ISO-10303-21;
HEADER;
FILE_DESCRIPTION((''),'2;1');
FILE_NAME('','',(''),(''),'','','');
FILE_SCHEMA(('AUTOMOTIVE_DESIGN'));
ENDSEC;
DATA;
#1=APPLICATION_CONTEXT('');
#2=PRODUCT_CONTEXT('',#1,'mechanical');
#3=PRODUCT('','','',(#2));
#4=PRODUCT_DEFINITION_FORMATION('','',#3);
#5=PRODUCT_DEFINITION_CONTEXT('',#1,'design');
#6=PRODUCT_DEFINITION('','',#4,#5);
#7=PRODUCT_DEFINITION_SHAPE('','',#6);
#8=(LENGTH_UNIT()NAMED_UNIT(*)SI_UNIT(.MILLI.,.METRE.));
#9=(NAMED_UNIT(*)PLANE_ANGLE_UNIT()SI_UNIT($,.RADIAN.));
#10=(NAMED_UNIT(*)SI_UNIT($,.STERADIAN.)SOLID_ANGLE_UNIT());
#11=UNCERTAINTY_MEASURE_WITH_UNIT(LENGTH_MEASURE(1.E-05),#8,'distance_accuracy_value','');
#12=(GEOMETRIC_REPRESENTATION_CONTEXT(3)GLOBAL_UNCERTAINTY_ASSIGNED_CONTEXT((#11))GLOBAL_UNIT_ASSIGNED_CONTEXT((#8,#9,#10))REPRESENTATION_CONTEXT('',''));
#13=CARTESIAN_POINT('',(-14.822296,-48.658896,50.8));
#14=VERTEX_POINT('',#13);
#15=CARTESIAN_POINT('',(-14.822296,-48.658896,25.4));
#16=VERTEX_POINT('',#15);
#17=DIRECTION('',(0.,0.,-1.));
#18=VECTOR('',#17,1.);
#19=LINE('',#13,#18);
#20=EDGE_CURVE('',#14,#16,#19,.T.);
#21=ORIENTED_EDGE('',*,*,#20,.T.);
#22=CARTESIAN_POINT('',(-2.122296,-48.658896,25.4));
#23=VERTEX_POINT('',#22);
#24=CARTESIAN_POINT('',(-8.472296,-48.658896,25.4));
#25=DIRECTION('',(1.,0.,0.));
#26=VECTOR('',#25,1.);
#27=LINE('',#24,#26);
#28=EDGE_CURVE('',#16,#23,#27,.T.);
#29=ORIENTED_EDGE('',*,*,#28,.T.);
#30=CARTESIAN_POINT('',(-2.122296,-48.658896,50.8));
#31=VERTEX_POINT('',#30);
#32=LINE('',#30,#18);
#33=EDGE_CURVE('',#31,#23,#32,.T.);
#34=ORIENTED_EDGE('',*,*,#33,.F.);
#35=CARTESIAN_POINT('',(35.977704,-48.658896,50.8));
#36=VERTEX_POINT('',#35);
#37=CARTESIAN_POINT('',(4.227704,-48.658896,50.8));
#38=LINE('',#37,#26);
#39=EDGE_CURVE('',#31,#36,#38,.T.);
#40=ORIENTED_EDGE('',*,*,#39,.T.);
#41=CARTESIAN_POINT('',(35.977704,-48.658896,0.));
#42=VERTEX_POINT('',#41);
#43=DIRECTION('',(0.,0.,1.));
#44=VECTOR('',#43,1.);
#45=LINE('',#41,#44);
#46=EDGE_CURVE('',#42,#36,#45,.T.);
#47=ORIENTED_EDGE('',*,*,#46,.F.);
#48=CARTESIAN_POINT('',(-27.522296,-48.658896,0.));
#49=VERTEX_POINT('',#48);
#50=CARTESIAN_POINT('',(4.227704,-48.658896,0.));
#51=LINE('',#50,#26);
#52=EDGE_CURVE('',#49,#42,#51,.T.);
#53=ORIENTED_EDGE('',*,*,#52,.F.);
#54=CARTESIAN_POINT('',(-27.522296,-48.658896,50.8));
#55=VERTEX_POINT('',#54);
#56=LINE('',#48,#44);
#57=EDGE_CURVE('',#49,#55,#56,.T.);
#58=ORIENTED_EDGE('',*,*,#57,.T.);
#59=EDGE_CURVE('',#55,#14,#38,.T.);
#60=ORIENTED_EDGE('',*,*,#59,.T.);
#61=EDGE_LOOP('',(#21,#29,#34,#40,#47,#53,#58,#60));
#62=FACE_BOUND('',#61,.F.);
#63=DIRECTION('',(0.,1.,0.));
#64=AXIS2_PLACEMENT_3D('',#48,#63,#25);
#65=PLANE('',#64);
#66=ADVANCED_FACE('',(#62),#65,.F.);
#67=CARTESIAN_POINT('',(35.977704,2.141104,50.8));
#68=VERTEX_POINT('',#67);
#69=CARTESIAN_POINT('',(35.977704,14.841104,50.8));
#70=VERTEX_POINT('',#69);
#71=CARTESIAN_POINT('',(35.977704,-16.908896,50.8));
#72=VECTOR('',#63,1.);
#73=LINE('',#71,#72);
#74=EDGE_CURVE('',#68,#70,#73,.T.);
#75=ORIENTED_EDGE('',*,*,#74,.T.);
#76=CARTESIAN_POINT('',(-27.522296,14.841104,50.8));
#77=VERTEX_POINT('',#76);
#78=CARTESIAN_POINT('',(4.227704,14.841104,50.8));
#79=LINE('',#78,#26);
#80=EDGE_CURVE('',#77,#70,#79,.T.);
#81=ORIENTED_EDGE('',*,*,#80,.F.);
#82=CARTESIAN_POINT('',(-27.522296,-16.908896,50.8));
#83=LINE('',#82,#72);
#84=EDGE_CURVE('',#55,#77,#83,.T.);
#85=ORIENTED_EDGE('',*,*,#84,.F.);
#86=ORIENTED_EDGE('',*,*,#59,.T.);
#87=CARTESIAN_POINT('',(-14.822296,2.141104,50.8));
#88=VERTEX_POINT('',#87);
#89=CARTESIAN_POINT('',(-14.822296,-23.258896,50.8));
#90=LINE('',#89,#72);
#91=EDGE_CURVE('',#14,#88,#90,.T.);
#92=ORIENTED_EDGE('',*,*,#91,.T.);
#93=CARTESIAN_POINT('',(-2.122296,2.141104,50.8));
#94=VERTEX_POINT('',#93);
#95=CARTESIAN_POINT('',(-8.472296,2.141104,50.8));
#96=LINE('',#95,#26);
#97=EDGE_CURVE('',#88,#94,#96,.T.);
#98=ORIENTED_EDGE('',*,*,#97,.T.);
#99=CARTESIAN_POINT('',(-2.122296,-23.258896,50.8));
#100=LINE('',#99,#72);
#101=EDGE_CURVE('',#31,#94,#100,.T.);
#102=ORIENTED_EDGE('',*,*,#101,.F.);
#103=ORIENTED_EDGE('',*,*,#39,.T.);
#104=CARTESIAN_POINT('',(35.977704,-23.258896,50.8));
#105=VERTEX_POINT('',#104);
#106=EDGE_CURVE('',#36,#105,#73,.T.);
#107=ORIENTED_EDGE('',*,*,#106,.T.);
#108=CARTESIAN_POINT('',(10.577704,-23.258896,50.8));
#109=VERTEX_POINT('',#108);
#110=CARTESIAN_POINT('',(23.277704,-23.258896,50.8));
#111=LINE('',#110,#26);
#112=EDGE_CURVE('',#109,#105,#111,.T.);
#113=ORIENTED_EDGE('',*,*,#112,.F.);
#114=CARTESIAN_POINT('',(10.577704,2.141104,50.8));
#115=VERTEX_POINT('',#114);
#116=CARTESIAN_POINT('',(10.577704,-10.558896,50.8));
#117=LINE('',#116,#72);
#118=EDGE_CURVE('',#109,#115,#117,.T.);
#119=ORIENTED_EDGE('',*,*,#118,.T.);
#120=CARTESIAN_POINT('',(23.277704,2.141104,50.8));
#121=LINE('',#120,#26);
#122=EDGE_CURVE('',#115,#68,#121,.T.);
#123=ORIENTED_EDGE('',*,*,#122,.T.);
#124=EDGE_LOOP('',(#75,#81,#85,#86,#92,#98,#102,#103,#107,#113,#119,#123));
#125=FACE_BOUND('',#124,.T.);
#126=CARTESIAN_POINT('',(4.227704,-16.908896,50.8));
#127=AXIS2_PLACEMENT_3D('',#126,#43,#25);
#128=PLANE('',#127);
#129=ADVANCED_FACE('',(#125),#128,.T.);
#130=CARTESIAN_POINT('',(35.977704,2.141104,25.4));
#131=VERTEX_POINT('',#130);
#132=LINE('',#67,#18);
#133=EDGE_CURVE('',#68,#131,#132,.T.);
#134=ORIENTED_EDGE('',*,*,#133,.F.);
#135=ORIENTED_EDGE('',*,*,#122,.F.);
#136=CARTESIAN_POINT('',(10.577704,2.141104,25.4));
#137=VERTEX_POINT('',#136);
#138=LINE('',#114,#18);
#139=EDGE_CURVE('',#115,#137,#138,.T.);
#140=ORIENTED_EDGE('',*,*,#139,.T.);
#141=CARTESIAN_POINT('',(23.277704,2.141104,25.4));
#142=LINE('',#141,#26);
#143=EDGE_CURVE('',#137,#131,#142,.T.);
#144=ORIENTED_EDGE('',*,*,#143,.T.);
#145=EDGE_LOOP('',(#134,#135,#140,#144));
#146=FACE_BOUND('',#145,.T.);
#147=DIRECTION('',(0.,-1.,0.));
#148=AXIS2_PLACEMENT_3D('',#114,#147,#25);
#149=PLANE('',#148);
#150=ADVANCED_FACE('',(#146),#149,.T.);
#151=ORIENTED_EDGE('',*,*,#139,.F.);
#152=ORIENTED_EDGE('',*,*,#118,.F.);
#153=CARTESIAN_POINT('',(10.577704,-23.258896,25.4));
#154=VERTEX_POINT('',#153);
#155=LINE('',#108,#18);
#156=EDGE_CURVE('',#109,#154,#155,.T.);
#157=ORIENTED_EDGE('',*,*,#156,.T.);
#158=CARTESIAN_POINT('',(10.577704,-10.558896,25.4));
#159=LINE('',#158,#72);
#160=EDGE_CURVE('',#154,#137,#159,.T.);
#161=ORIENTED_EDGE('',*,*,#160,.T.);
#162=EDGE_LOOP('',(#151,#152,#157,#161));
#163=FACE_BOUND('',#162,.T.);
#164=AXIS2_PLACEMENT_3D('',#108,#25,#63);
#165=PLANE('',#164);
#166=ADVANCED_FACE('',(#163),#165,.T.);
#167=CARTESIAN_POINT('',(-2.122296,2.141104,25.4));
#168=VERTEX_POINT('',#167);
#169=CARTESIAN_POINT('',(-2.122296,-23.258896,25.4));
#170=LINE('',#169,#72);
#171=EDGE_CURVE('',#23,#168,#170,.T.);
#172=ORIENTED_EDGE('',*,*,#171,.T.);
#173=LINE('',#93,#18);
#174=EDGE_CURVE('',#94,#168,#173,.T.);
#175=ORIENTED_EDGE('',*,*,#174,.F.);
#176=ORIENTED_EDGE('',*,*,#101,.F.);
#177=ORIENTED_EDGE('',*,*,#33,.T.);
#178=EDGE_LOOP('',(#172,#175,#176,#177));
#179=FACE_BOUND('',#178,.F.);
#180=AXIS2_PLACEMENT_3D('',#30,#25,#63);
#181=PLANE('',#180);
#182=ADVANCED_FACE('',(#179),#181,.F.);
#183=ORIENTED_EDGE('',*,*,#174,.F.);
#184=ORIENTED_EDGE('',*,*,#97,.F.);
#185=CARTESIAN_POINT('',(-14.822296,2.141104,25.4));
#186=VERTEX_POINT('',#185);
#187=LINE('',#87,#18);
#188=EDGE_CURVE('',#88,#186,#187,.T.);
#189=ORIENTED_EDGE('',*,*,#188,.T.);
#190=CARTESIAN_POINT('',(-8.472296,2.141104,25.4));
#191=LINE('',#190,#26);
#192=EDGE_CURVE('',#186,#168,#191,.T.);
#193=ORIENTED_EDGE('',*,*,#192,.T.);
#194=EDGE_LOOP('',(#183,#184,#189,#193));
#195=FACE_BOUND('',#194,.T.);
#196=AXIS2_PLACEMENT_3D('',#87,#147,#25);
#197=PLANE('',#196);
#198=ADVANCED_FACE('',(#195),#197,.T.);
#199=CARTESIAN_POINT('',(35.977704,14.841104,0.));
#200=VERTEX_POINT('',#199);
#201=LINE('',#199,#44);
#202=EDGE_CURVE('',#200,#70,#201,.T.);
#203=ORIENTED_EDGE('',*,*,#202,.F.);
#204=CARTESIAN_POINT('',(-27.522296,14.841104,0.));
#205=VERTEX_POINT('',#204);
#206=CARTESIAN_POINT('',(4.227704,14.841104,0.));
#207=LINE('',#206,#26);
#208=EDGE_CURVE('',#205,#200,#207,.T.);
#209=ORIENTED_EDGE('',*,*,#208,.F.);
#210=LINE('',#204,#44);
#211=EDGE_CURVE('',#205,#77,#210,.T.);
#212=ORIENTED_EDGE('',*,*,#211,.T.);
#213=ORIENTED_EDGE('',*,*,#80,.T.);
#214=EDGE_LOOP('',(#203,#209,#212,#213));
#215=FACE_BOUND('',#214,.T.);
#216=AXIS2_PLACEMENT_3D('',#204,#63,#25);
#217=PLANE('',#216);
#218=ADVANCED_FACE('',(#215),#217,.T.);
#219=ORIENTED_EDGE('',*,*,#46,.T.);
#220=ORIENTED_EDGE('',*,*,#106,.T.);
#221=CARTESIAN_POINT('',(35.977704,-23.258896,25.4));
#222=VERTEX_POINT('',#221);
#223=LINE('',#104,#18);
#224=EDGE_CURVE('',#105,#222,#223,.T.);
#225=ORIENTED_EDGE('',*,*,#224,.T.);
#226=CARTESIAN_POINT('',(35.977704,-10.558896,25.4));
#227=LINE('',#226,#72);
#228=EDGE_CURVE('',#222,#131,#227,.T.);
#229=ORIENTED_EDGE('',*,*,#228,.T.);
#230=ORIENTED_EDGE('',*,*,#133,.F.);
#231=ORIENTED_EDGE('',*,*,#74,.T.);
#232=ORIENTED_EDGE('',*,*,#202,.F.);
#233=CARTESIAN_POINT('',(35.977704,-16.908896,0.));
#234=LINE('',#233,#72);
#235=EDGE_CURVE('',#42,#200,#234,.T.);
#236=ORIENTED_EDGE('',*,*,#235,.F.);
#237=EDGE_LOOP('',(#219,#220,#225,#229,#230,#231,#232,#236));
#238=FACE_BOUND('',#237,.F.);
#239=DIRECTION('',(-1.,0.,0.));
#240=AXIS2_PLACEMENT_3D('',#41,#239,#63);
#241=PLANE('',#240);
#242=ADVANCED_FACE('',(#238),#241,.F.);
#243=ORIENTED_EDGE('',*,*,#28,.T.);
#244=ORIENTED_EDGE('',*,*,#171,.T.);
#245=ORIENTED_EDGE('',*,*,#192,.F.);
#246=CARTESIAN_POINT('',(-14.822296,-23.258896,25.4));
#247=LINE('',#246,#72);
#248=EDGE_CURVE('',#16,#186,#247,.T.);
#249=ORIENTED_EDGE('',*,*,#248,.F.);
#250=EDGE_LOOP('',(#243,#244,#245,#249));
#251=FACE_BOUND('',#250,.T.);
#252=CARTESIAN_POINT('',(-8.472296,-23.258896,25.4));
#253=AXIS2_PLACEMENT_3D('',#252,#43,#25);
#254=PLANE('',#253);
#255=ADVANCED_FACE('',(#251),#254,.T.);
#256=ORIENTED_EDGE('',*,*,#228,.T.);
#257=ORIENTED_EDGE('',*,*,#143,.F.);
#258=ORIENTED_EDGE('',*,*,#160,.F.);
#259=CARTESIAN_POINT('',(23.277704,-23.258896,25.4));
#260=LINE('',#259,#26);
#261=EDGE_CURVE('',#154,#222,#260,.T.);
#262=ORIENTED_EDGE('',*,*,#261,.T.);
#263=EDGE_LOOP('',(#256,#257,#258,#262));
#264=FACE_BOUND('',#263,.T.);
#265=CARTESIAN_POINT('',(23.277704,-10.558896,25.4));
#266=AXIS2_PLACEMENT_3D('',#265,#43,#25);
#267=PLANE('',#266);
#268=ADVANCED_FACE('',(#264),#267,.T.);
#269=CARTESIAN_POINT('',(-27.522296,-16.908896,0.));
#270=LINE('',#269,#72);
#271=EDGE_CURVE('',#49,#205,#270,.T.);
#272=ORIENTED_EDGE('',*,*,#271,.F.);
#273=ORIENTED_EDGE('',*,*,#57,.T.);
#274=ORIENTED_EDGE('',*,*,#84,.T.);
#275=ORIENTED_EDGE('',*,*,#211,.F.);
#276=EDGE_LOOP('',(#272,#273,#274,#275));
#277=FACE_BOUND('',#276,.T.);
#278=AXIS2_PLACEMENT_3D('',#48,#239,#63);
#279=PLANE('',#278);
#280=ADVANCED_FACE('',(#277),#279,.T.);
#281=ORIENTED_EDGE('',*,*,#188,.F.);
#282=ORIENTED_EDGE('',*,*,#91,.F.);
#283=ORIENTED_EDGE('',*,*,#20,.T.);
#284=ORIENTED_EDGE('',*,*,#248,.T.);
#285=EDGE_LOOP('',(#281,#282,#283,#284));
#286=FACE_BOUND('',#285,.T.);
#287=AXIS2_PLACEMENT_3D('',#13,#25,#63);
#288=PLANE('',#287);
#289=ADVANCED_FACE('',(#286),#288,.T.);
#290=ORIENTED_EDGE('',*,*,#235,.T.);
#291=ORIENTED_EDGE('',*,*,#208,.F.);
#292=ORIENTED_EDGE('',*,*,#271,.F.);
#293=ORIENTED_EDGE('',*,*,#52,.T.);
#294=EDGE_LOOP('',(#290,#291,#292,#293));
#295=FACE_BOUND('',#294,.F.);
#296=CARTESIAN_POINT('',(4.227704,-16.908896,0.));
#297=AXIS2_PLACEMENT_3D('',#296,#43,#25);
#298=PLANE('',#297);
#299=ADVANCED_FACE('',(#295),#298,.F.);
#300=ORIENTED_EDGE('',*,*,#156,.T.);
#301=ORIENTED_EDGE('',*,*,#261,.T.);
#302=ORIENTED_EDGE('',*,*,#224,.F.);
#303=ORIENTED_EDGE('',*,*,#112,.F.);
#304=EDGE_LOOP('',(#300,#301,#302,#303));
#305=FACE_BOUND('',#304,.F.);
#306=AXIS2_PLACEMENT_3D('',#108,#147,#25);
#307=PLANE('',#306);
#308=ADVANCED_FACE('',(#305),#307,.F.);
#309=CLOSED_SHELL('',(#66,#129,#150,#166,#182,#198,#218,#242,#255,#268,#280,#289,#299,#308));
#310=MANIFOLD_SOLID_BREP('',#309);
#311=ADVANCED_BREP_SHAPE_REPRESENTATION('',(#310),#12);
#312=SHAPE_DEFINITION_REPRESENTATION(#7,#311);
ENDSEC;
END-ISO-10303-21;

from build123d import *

# Parameters (mm, degrees)
F0_W     = 63.5
F0_H     = 63.5
F1_DEPTH = 50.8
F2_W     = 12.7
F2_H     = 50.8
F2_W_2   = 25.4
F2_H_2   = 25.4
F3_DEPTH = 25.4


with BuildPart() as f1:
    # F0 (on Top) → F1 (new body)
    with BuildSketch(Plane.XY):
        with Locations((4.227704, -16.908896)):
            Rectangle(F0_W, F0_H)
    extrude(amount=F1_DEPTH)

    # F2 (on face) → F3 (cut)
    with BuildSketch(Plane.XY.offset(50.8)):
        with Locations((-8.472296, -23.258896)):
            Rectangle(F2_W, F2_H)
        with Locations((23.277704, -10.558896)):
            Rectangle(F2_W_2, F2_H_2)
    extrude(amount=-F3_DEPTH, mode=Mode.SUBTRACT)


solid = f1.part
